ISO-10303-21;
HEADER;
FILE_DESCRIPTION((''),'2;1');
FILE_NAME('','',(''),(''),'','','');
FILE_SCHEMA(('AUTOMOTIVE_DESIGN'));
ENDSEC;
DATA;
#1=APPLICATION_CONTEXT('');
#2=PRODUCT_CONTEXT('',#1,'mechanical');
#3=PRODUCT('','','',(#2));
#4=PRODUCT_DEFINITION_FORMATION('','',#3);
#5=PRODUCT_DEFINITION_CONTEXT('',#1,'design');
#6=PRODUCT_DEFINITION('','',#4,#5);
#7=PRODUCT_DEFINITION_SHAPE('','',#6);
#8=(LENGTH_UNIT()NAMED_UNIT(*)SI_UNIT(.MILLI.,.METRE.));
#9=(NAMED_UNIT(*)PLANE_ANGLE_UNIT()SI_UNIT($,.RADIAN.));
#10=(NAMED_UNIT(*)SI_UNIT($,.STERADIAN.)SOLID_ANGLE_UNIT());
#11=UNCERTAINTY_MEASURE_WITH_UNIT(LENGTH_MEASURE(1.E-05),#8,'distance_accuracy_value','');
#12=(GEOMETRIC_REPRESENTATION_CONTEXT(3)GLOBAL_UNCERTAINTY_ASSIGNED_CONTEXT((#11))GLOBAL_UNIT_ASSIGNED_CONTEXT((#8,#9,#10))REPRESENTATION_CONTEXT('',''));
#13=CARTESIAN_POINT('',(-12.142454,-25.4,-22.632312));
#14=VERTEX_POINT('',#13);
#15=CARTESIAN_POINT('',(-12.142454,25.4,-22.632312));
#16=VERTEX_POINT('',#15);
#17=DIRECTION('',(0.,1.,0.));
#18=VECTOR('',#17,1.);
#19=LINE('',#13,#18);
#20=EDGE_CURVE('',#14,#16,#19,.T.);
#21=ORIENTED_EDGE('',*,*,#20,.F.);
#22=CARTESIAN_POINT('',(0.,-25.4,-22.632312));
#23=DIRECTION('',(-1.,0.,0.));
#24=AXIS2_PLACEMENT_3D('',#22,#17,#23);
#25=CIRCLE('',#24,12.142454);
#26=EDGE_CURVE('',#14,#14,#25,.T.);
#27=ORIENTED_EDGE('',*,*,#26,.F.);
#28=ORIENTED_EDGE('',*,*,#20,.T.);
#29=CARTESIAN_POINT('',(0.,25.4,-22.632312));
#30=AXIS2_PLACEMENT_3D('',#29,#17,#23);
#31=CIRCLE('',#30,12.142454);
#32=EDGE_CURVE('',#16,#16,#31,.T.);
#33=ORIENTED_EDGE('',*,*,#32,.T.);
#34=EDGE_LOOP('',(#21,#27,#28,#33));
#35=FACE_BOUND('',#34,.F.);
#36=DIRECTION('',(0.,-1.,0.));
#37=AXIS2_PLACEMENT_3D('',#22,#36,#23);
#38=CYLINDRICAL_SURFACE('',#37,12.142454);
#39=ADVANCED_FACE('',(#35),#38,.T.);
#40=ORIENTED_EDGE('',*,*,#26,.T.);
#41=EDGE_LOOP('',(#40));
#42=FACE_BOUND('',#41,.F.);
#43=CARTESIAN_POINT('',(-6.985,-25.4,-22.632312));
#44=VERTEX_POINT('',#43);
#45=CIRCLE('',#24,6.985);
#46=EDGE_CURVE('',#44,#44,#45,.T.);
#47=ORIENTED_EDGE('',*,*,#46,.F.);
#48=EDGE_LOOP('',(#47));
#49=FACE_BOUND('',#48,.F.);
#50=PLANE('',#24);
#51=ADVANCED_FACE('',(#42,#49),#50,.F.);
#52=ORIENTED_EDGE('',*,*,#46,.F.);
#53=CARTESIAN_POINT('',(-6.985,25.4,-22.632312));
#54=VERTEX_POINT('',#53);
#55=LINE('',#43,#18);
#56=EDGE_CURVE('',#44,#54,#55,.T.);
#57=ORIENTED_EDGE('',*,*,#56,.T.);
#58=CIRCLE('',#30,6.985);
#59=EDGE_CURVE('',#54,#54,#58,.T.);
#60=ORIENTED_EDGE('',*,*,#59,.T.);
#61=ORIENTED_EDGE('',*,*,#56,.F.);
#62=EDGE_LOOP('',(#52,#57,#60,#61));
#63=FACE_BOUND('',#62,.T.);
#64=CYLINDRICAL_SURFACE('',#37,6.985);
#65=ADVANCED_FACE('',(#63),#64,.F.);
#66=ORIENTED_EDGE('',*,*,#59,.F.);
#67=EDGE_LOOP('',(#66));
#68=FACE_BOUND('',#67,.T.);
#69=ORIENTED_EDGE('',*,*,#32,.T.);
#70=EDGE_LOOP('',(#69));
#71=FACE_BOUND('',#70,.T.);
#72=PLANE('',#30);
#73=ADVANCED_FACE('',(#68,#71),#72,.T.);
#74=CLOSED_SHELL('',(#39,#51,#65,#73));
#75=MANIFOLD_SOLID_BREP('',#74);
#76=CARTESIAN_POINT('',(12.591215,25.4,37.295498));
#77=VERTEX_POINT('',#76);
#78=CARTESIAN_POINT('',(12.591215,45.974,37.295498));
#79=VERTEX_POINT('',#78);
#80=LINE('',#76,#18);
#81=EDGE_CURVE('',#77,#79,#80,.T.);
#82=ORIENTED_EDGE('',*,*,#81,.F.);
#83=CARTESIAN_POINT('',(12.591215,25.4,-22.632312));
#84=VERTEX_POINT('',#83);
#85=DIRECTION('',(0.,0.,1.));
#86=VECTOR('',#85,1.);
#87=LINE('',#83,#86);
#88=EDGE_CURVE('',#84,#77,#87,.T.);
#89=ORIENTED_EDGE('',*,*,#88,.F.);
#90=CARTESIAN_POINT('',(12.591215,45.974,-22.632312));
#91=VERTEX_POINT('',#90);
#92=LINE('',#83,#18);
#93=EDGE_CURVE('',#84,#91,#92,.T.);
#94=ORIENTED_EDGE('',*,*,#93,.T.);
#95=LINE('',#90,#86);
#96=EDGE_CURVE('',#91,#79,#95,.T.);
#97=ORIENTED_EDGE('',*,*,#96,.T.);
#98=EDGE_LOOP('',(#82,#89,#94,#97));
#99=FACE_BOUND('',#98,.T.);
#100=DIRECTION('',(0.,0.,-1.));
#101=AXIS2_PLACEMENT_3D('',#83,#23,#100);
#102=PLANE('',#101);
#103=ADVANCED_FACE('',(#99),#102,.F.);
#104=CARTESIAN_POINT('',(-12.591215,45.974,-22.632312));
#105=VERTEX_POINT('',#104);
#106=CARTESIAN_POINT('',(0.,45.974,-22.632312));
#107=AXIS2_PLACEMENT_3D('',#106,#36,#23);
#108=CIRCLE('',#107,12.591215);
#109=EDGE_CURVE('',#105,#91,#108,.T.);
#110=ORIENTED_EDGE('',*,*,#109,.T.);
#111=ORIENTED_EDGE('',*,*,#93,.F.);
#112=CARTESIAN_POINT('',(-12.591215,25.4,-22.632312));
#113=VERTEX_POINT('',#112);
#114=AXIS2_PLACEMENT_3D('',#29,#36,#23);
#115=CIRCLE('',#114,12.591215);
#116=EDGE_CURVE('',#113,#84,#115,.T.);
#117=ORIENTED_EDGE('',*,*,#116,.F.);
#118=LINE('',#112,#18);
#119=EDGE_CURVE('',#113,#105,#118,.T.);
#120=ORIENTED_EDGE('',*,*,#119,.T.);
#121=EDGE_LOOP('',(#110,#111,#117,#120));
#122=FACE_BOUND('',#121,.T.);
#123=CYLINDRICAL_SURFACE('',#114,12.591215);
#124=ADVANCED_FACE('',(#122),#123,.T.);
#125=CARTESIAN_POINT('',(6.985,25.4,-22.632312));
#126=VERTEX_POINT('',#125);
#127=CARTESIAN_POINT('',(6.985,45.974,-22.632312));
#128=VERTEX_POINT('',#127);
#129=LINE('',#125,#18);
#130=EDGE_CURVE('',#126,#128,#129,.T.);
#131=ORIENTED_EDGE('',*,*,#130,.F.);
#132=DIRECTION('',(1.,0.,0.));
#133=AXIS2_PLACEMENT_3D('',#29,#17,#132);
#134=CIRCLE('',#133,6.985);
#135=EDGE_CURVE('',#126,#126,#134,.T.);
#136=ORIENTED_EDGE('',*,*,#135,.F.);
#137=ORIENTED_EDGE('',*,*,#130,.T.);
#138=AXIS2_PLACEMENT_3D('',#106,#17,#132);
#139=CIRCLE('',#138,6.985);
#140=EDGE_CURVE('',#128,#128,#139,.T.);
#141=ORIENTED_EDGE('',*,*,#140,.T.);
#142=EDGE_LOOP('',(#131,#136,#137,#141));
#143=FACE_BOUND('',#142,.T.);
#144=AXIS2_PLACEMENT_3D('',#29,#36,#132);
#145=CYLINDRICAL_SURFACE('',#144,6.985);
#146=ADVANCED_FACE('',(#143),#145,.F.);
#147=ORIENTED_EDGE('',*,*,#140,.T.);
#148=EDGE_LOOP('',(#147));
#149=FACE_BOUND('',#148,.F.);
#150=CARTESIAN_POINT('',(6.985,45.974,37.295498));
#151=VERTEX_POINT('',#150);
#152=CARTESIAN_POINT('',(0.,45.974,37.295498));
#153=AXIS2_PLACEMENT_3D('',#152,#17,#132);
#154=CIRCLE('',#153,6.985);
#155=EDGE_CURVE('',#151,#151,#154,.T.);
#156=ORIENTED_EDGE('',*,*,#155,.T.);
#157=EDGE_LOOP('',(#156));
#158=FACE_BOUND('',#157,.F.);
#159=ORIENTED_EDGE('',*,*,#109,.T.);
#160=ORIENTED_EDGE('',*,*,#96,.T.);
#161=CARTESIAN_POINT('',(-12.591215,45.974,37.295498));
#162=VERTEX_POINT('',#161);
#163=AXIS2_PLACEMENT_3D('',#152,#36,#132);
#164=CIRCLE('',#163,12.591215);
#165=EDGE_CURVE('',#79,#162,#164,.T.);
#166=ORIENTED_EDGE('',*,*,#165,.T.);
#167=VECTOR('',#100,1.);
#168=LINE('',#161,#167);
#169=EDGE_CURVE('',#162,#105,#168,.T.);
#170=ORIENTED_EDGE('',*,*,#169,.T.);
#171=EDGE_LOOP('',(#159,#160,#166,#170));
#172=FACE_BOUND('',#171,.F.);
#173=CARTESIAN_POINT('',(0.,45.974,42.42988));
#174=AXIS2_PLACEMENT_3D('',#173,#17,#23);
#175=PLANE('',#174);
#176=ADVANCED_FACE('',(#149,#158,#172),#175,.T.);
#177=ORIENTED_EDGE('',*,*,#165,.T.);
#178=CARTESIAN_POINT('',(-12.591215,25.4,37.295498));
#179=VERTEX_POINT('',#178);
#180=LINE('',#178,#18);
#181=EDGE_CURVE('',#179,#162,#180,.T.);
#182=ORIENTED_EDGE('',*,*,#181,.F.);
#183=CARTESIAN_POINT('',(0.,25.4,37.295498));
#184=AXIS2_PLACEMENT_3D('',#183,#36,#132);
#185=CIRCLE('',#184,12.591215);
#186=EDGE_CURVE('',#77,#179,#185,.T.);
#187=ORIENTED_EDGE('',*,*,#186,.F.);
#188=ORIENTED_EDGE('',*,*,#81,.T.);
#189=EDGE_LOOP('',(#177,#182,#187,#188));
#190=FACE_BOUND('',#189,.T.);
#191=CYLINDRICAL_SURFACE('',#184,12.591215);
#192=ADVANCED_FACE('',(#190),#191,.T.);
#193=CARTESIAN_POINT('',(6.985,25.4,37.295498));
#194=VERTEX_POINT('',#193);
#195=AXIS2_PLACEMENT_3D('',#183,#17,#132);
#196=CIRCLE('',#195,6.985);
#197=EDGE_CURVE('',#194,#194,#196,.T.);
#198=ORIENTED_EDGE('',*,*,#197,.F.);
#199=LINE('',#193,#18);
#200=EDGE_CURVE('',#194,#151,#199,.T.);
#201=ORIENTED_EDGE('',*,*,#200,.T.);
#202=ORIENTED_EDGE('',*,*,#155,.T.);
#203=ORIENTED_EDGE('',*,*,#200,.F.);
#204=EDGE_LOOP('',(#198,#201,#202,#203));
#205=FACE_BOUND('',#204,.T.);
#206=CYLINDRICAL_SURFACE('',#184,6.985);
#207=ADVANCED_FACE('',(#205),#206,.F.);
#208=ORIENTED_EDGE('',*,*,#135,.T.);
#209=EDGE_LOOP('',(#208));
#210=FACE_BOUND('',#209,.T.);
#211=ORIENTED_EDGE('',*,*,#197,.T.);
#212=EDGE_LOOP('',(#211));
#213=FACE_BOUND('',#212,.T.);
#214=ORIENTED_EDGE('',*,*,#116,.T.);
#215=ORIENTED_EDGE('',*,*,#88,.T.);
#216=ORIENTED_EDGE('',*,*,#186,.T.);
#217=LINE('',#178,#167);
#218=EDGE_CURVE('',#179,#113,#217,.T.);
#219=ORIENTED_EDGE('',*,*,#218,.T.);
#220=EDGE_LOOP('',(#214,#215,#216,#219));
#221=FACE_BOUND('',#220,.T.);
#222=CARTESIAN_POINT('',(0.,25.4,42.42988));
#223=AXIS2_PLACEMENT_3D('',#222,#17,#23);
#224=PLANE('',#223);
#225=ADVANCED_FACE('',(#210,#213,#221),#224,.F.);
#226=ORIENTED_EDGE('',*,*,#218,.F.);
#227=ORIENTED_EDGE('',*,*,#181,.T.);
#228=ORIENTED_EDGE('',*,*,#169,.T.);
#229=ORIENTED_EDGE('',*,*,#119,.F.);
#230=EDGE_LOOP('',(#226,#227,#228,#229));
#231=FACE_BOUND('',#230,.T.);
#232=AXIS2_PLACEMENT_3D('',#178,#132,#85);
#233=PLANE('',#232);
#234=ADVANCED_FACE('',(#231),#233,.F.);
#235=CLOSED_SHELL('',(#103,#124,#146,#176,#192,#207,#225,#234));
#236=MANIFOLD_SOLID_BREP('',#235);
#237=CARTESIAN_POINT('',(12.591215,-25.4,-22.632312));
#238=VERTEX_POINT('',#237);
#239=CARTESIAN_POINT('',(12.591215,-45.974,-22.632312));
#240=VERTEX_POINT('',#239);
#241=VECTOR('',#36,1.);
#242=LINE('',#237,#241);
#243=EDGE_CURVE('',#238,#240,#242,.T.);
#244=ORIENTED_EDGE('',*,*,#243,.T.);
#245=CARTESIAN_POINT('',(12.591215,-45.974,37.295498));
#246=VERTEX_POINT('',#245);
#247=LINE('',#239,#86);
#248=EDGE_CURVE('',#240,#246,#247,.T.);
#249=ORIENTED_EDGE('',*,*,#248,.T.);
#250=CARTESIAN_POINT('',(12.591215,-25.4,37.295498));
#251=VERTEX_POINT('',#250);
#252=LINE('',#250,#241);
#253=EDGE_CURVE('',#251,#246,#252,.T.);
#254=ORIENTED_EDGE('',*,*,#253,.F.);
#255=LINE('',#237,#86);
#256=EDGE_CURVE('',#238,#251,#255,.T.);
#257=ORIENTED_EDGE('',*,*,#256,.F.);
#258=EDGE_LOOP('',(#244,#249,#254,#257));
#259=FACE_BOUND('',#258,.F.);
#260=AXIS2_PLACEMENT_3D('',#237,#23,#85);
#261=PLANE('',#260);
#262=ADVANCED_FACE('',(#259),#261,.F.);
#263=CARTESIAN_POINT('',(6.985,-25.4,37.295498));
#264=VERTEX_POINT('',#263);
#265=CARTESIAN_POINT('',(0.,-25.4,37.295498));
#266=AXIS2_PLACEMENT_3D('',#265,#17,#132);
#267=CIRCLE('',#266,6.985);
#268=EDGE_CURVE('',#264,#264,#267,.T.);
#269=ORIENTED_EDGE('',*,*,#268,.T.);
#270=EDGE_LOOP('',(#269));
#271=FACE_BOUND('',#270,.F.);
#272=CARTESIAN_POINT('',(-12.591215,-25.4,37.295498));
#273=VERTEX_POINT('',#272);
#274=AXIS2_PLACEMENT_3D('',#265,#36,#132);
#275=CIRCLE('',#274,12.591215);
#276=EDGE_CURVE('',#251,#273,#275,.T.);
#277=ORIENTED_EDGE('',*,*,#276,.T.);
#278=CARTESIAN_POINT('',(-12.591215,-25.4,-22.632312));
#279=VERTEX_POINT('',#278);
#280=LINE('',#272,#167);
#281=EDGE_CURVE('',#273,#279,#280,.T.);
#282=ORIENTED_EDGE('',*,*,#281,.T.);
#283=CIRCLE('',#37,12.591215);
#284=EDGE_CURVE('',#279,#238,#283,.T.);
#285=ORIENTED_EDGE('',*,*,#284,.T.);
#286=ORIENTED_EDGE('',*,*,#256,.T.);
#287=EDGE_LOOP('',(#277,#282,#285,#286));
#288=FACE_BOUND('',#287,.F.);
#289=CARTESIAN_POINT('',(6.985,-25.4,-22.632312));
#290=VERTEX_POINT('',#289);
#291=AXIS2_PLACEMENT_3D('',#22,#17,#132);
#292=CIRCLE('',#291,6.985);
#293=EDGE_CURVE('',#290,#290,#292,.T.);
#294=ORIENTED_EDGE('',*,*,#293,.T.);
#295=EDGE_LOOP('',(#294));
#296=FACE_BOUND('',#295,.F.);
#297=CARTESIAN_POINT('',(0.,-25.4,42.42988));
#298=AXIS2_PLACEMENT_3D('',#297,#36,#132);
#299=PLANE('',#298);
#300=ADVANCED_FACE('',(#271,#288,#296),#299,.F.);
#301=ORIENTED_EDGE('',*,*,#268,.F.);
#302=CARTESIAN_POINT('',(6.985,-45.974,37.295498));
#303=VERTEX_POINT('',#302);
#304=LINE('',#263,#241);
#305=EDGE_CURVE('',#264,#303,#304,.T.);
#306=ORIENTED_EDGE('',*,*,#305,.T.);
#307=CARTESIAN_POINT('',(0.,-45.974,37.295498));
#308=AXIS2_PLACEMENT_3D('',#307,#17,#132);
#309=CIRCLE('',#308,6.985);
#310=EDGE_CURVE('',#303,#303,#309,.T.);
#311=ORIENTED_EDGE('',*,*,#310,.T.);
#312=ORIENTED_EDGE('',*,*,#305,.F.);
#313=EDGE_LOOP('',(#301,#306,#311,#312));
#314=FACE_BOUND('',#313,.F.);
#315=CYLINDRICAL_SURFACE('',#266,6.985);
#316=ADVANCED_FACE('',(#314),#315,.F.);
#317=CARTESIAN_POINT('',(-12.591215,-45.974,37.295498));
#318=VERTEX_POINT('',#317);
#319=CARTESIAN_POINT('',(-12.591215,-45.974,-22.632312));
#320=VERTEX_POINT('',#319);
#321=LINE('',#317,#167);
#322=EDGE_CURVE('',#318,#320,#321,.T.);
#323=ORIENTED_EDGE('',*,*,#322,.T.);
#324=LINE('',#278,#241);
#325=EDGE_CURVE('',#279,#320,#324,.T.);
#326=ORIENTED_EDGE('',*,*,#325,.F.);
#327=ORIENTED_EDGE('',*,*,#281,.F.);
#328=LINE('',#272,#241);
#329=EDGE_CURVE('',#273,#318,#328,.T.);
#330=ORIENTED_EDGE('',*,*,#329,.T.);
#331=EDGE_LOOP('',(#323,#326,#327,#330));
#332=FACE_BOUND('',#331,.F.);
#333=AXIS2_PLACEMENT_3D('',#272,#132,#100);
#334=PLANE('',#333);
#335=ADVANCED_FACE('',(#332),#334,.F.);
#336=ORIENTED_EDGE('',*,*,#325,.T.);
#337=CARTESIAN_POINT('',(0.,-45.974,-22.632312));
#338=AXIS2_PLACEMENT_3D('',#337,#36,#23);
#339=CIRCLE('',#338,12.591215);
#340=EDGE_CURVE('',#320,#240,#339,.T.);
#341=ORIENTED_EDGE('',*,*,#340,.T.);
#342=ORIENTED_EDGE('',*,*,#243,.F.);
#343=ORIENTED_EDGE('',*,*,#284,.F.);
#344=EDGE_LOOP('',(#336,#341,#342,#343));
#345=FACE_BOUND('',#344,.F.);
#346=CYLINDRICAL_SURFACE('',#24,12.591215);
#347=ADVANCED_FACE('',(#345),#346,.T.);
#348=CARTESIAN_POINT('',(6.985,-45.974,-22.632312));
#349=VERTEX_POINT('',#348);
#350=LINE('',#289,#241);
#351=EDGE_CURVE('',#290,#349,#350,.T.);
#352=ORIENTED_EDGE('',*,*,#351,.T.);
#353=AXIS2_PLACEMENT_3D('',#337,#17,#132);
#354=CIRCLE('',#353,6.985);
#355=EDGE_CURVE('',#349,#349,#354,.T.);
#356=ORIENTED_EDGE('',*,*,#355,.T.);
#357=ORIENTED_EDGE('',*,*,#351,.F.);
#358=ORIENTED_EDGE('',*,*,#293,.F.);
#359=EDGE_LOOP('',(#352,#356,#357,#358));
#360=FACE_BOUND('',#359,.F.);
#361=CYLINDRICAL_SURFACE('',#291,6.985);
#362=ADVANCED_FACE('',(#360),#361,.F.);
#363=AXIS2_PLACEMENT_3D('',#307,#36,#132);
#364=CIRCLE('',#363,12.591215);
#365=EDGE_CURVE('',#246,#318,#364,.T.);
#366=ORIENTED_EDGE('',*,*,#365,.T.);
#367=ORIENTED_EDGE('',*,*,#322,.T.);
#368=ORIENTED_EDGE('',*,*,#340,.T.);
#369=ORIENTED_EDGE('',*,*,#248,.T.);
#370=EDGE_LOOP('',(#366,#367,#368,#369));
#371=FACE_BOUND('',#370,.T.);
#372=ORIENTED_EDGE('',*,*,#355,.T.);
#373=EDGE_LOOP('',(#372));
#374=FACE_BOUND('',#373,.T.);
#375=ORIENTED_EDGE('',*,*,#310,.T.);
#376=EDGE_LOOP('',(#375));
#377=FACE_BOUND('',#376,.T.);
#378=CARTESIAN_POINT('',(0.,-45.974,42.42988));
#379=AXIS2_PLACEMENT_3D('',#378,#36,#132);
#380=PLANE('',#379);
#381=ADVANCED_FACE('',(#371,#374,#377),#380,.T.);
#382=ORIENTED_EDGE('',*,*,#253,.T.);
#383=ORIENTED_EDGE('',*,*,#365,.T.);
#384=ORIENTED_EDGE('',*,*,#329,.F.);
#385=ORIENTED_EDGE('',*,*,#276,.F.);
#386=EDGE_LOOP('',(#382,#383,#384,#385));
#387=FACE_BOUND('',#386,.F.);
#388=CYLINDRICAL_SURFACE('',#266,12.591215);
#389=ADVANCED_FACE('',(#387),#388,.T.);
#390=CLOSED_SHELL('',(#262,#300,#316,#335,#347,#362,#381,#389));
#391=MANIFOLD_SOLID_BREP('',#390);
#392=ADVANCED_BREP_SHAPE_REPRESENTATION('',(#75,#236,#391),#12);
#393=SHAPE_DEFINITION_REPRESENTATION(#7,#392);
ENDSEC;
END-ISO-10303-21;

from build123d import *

# Parameters (mm, degrees)
F2_DEPTH = 20.574
F4_R     = 12.142454
F4_R_2   = 6.985
F5_DEPTH = 50.8


with BuildPart() as f2:
    # F1 (on offset) → F2 (new body)
    with BuildSketch(Plane.XZ.offset(25.4)):
        with BuildLine():
            ThreePointArc((-6.985, 37.295498), (0, 44.280498), (6.985, 37.295498))
            Line((6.985, 37.295498), (12.591215, 37.295498))
            ThreePointArc((12.591215, 37.295498), (0, 49.886713), (-12.591215, 37.295498))
            Line((-12.591215, 37.295498), (-6.985, 37.295498))
        make_face()
        with BuildLine():
            Line((12.591215, 37.295498), (6.985, 37.295498))
            ThreePointArc((6.985, 37.295498), (0, 30.310498), (-6.985, 37.295498))
            Line((-6.985, 37.295498), (-12.591215, 37.295498))
            Line((-12.591215, 37.295498), (-12.591215, -22.632312))
            Line((-12.591215, -22.632312), (-6.985, -22.632312))
            ThreePointArc((-6.985, -22.632312), (0, -15.647312), (6.985, -22.632312))
            Line((6.985, -22.632312), (12.591215, -22.632312))
            Line((12.591215, -22.632312), (12.591215, 37.295498))
        make_face()
        with BuildLine():
            ThreePointArc((-12.591215, -22.632312), (0, -35.223527), (12.591215, -22.632312))
            Line((12.591215, -22.632312), (6.985, -22.632312))
            ThreePointArc((6.985, -22.632312), (0, -29.617312), (-6.985, -22.632312))
            Line((-6.985, -22.632312), (-12.591215, -22.632312))
        make_face()
    extrude(amount=F2_DEPTH)


with BuildPart() as f3_1:
    # F3: instance of F2
    add(f2.part.mirror(Plane.XZ))


with BuildPart() as f5:
    # F4 (on face) → F5 (new body, through all)
    with BuildSketch(Plane(origin=(0, -25.4, 0), x_dir=(-1, 0, 0), z_dir=(0, 1, 0))):
        with Locations((0, -22.632312)):
            Circle(F4_R)
        with Locations((0, -22.632312)):
            Circle(F4_R_2, mode=Mode.SUBTRACT)
    extrude(amount=F5_DEPTH)


solid = Compound([f2.part, f3_1.part, f5.part])
